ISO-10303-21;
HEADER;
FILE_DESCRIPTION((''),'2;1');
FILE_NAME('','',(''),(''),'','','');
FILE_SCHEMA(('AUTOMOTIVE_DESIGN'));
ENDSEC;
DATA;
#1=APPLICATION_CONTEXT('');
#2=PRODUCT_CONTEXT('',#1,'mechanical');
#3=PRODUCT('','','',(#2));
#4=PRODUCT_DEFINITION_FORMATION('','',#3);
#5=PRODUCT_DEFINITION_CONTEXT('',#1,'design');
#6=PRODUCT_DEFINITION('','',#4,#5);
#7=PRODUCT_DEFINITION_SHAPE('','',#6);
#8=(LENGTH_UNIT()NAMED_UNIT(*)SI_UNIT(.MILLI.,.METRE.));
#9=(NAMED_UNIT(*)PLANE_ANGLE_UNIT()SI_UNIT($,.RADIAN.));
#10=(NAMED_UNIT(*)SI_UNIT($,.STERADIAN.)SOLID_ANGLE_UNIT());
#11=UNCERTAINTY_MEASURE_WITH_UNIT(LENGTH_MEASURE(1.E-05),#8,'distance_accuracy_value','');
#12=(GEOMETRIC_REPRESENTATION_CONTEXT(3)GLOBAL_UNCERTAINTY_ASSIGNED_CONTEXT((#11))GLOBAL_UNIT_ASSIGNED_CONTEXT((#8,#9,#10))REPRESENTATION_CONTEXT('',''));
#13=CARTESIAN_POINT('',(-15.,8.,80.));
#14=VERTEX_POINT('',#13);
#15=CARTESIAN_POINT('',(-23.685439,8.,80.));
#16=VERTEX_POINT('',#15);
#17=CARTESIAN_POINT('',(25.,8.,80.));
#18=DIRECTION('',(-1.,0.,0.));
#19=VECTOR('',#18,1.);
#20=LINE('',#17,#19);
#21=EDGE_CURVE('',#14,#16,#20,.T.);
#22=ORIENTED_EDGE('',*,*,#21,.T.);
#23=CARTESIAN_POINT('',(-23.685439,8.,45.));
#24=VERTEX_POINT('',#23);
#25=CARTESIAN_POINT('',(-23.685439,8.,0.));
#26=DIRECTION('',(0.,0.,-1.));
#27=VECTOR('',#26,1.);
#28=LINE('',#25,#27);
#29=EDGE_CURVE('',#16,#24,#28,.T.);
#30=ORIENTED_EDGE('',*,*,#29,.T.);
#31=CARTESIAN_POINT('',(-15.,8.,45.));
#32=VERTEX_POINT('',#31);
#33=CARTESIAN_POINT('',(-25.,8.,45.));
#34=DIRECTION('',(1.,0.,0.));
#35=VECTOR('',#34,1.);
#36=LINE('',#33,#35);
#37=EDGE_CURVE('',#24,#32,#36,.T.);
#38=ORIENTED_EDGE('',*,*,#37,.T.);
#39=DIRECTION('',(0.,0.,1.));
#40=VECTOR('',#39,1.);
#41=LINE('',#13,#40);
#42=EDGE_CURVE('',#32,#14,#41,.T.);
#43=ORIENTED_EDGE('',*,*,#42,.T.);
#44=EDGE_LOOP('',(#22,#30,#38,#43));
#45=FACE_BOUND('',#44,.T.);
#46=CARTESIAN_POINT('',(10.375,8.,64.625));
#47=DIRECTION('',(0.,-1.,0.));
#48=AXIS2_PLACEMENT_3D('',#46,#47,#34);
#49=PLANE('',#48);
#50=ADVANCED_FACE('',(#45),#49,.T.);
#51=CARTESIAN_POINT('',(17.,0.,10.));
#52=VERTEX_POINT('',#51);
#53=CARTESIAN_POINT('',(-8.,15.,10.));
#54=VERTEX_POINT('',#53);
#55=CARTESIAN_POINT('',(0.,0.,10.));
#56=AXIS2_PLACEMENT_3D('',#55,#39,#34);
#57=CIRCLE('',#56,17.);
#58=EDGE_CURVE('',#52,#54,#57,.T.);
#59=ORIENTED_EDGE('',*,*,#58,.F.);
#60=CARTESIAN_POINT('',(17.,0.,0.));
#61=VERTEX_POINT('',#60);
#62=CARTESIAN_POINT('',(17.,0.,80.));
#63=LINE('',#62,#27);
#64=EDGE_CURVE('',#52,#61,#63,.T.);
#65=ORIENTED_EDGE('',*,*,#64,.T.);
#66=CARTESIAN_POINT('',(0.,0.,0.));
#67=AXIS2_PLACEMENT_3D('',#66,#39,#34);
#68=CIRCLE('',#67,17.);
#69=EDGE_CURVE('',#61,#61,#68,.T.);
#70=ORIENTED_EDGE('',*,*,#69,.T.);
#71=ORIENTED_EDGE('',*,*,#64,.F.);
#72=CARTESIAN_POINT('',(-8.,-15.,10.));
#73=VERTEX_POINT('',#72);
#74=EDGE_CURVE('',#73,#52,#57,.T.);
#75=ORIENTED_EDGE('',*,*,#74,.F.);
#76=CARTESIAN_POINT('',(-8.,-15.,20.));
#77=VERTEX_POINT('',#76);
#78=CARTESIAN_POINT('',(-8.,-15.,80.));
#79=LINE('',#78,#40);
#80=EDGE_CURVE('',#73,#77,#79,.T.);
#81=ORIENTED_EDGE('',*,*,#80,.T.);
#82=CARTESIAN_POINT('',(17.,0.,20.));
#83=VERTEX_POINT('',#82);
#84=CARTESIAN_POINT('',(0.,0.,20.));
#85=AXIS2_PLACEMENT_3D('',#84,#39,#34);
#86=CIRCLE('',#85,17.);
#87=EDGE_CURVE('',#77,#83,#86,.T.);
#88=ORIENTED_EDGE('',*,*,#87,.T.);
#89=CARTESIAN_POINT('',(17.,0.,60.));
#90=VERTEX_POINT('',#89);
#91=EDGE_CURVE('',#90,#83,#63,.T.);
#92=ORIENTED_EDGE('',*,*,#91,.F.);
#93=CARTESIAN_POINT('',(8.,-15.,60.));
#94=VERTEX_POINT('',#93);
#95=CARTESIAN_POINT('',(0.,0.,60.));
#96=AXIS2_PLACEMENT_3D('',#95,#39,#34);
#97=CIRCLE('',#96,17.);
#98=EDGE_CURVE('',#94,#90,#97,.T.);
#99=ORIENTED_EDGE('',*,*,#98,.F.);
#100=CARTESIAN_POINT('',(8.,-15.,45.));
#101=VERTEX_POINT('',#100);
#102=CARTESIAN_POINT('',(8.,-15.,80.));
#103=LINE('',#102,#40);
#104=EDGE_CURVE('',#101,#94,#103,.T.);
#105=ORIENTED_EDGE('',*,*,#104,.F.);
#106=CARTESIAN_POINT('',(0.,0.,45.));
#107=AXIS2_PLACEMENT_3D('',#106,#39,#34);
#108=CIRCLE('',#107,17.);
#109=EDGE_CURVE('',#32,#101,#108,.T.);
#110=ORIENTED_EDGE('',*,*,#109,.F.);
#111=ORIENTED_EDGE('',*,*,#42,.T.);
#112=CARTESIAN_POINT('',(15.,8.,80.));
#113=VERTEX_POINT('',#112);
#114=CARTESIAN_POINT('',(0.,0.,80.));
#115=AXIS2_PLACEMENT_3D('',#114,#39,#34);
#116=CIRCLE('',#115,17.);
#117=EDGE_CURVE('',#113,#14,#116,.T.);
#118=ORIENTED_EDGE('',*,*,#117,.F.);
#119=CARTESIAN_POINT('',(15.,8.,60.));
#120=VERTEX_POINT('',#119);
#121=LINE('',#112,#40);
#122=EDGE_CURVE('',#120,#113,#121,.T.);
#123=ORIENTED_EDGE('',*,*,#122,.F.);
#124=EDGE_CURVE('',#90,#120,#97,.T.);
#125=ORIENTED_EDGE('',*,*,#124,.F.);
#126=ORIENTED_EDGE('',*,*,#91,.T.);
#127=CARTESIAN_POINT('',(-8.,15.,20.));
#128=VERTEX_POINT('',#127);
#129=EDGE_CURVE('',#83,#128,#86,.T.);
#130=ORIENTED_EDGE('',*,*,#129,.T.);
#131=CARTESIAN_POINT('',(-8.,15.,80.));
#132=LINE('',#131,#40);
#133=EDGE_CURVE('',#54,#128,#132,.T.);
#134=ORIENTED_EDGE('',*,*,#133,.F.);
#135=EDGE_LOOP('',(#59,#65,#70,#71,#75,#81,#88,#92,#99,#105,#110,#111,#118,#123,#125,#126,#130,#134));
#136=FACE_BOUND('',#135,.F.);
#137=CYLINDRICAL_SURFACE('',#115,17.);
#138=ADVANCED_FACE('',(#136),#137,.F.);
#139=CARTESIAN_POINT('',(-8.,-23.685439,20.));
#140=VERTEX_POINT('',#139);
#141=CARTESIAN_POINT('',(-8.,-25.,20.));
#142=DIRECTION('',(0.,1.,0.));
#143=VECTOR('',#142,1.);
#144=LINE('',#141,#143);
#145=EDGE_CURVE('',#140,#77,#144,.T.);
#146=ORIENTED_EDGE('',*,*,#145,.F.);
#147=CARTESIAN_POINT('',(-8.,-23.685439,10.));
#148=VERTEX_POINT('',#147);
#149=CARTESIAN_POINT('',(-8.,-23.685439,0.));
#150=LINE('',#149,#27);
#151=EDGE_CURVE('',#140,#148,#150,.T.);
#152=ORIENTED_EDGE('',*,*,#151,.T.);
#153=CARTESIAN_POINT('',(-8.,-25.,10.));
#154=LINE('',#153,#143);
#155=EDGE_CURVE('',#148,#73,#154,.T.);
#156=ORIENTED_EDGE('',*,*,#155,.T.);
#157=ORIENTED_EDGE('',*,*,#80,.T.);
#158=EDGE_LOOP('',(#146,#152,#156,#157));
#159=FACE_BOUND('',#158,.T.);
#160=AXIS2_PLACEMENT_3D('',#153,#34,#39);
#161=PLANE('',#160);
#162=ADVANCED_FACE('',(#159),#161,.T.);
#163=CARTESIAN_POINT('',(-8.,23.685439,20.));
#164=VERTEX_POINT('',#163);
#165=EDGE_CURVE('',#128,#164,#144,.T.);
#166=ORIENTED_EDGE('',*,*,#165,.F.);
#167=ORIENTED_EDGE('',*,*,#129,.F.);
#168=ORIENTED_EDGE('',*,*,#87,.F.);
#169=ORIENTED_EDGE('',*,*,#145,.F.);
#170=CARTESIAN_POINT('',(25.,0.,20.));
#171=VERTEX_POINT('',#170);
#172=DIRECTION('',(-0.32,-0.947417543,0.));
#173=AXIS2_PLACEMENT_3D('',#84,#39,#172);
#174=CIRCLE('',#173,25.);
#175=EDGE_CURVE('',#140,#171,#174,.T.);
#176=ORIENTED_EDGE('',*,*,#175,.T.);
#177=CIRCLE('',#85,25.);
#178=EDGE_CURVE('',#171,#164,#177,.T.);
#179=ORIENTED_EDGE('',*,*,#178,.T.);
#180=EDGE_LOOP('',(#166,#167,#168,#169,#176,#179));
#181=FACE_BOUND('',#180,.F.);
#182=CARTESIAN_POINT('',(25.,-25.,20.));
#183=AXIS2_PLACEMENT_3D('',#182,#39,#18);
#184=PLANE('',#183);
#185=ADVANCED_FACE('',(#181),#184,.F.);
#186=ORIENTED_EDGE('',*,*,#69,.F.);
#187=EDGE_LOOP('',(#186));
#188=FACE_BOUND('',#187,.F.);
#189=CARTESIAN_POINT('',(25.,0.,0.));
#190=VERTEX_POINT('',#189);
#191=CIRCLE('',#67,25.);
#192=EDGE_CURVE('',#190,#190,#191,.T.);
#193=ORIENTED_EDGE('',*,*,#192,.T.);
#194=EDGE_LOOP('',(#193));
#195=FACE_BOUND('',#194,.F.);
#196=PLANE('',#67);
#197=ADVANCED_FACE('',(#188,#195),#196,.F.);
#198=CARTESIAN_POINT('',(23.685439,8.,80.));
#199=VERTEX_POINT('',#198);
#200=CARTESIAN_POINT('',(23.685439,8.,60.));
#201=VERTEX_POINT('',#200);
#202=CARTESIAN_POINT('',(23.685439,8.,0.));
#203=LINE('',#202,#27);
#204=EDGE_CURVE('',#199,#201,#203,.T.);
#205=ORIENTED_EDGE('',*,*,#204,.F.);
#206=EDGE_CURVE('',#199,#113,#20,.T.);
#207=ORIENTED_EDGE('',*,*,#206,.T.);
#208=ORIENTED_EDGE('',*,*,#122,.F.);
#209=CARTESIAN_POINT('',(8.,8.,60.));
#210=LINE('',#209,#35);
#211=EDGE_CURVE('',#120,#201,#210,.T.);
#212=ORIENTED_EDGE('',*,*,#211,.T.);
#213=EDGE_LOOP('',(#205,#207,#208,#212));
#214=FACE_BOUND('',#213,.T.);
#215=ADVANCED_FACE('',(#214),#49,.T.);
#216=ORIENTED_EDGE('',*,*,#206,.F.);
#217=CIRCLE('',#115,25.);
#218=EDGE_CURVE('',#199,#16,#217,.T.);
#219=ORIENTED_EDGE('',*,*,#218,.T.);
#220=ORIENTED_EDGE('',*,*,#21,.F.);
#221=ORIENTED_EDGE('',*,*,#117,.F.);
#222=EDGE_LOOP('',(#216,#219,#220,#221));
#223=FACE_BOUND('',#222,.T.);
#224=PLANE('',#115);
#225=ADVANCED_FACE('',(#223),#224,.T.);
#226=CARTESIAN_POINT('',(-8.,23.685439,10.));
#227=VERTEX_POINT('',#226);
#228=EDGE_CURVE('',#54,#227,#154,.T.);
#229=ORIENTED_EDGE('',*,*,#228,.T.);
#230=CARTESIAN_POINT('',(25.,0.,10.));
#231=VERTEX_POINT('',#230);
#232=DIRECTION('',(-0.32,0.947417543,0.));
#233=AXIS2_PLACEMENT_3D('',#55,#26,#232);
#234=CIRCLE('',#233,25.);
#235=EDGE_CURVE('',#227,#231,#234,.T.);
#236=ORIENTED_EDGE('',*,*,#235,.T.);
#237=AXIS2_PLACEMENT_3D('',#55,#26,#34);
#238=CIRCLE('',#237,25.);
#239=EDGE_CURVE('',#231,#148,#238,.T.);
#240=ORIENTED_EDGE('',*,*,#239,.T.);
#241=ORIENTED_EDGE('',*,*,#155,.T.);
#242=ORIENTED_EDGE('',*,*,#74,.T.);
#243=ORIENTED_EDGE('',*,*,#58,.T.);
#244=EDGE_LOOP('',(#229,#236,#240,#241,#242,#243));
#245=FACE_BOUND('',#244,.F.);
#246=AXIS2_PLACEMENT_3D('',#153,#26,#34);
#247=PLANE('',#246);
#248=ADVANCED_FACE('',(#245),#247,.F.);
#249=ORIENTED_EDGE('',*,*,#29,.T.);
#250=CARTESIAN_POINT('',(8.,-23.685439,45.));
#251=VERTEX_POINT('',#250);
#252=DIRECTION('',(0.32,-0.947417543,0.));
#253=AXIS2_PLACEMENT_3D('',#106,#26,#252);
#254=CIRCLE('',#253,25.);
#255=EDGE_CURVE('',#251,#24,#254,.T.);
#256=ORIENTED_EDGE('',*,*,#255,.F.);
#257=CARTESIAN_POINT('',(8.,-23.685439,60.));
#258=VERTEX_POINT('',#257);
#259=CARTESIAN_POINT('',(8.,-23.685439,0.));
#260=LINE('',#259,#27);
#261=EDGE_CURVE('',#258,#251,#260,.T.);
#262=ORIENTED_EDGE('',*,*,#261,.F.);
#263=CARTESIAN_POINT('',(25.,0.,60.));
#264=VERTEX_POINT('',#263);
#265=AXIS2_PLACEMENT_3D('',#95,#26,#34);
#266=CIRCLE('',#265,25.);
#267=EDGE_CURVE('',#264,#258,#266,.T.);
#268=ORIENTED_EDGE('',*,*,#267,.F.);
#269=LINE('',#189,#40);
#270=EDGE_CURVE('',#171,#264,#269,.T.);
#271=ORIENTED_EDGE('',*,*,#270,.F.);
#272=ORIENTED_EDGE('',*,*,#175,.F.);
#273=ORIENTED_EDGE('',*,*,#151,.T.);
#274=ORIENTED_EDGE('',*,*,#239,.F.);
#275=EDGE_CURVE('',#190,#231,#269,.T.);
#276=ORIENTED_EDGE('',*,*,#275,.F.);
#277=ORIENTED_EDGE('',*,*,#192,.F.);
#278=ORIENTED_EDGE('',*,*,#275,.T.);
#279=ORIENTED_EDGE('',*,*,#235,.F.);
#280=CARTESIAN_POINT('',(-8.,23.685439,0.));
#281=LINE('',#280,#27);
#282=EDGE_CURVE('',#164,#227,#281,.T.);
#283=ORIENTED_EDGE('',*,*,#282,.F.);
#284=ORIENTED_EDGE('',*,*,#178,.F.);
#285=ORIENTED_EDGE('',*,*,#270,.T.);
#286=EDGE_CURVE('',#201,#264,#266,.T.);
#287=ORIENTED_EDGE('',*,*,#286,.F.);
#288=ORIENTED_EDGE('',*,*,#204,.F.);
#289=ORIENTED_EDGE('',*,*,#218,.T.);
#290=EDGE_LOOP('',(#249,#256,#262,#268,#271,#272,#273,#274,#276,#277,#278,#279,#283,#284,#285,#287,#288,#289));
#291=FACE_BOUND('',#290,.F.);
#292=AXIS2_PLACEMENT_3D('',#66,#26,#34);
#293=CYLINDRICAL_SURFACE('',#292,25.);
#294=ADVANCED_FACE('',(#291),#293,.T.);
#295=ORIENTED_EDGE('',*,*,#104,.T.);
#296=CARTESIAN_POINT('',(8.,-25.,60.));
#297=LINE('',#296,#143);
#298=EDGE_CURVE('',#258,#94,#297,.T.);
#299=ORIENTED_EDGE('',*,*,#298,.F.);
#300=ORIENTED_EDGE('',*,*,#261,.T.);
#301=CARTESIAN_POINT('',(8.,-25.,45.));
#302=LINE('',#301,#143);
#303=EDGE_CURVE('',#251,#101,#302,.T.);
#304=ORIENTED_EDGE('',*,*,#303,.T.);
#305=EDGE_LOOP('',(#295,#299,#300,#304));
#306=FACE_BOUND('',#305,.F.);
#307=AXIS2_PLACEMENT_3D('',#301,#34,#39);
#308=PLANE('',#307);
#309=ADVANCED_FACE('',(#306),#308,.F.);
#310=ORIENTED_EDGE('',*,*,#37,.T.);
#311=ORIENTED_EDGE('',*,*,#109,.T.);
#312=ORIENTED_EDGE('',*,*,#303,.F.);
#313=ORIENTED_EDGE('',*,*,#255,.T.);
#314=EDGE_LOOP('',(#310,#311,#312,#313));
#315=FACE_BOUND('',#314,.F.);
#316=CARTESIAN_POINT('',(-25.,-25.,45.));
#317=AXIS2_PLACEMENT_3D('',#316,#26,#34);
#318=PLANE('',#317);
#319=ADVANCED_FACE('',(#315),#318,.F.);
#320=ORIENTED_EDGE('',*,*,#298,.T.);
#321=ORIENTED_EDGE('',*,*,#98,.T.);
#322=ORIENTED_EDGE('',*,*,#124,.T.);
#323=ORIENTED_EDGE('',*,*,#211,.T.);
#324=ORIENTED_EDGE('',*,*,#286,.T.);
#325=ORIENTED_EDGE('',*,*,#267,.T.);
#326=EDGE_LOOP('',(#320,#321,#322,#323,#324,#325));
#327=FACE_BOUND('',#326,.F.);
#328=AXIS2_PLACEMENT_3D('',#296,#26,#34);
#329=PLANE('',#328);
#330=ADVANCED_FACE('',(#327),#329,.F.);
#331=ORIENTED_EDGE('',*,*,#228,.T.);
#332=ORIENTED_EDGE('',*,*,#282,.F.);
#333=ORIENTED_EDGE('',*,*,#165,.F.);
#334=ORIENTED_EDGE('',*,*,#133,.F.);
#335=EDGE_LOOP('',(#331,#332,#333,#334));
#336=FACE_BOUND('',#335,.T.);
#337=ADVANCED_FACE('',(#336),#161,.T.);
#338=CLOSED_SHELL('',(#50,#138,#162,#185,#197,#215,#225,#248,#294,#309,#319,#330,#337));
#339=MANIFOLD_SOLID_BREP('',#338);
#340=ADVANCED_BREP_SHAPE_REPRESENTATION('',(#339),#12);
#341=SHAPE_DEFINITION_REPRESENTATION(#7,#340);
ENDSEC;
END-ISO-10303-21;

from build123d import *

# Parameters (mm, degrees)
F0_R     = 25
F1_DEPTH = 80
F2_R     = 17
F3_DEPTH = 80
F5_W     = 25
F5_H     = 35
F6_DEPTH = 33
F5_W_2   = 8
F5_H_2   = 10
F7_DEPTH = 50


with BuildPart() as f1:
    # F0 (on Top) → F1 (new body)
    with BuildSketch(Plane.XY):
        Circle(F0_R)
    extrude(amount=F1_DEPTH)

    # F2 (on face) → F3 (cut)
    with BuildSketch(Plane.XY.offset(80)):
        Circle(F2_R)
    extrude(amount=-F3_DEPTH, mode=Mode.SUBTRACT)

    # F5 (on offset) → F6 (cut)
    with BuildSketch(Plane.XZ.offset(25)):
        Polygon((0, 80), (0, 45), (8, 45), (8, 60), (25, 60), (25, 80), (8, 80), align=None)
        with Locations((-12.5, 62.5)):
            Rectangle(F5_W, F5_H)
    extrude(amount=-F6_DEPTH, mode=Mode.SUBTRACT)

    # F5 (on offset) → F7 (cut)
    with BuildSketch(Plane.XZ.offset(25)):
        with Locations((-4, 15)):
            Rectangle(F5_W_2, F5_H_2)
        with Locations((12.5, 15)):
            Rectangle(F5_W, F5_H_2)
    extrude(amount=-F7_DEPTH, mode=Mode.SUBTRACT)


solid = f1.part
